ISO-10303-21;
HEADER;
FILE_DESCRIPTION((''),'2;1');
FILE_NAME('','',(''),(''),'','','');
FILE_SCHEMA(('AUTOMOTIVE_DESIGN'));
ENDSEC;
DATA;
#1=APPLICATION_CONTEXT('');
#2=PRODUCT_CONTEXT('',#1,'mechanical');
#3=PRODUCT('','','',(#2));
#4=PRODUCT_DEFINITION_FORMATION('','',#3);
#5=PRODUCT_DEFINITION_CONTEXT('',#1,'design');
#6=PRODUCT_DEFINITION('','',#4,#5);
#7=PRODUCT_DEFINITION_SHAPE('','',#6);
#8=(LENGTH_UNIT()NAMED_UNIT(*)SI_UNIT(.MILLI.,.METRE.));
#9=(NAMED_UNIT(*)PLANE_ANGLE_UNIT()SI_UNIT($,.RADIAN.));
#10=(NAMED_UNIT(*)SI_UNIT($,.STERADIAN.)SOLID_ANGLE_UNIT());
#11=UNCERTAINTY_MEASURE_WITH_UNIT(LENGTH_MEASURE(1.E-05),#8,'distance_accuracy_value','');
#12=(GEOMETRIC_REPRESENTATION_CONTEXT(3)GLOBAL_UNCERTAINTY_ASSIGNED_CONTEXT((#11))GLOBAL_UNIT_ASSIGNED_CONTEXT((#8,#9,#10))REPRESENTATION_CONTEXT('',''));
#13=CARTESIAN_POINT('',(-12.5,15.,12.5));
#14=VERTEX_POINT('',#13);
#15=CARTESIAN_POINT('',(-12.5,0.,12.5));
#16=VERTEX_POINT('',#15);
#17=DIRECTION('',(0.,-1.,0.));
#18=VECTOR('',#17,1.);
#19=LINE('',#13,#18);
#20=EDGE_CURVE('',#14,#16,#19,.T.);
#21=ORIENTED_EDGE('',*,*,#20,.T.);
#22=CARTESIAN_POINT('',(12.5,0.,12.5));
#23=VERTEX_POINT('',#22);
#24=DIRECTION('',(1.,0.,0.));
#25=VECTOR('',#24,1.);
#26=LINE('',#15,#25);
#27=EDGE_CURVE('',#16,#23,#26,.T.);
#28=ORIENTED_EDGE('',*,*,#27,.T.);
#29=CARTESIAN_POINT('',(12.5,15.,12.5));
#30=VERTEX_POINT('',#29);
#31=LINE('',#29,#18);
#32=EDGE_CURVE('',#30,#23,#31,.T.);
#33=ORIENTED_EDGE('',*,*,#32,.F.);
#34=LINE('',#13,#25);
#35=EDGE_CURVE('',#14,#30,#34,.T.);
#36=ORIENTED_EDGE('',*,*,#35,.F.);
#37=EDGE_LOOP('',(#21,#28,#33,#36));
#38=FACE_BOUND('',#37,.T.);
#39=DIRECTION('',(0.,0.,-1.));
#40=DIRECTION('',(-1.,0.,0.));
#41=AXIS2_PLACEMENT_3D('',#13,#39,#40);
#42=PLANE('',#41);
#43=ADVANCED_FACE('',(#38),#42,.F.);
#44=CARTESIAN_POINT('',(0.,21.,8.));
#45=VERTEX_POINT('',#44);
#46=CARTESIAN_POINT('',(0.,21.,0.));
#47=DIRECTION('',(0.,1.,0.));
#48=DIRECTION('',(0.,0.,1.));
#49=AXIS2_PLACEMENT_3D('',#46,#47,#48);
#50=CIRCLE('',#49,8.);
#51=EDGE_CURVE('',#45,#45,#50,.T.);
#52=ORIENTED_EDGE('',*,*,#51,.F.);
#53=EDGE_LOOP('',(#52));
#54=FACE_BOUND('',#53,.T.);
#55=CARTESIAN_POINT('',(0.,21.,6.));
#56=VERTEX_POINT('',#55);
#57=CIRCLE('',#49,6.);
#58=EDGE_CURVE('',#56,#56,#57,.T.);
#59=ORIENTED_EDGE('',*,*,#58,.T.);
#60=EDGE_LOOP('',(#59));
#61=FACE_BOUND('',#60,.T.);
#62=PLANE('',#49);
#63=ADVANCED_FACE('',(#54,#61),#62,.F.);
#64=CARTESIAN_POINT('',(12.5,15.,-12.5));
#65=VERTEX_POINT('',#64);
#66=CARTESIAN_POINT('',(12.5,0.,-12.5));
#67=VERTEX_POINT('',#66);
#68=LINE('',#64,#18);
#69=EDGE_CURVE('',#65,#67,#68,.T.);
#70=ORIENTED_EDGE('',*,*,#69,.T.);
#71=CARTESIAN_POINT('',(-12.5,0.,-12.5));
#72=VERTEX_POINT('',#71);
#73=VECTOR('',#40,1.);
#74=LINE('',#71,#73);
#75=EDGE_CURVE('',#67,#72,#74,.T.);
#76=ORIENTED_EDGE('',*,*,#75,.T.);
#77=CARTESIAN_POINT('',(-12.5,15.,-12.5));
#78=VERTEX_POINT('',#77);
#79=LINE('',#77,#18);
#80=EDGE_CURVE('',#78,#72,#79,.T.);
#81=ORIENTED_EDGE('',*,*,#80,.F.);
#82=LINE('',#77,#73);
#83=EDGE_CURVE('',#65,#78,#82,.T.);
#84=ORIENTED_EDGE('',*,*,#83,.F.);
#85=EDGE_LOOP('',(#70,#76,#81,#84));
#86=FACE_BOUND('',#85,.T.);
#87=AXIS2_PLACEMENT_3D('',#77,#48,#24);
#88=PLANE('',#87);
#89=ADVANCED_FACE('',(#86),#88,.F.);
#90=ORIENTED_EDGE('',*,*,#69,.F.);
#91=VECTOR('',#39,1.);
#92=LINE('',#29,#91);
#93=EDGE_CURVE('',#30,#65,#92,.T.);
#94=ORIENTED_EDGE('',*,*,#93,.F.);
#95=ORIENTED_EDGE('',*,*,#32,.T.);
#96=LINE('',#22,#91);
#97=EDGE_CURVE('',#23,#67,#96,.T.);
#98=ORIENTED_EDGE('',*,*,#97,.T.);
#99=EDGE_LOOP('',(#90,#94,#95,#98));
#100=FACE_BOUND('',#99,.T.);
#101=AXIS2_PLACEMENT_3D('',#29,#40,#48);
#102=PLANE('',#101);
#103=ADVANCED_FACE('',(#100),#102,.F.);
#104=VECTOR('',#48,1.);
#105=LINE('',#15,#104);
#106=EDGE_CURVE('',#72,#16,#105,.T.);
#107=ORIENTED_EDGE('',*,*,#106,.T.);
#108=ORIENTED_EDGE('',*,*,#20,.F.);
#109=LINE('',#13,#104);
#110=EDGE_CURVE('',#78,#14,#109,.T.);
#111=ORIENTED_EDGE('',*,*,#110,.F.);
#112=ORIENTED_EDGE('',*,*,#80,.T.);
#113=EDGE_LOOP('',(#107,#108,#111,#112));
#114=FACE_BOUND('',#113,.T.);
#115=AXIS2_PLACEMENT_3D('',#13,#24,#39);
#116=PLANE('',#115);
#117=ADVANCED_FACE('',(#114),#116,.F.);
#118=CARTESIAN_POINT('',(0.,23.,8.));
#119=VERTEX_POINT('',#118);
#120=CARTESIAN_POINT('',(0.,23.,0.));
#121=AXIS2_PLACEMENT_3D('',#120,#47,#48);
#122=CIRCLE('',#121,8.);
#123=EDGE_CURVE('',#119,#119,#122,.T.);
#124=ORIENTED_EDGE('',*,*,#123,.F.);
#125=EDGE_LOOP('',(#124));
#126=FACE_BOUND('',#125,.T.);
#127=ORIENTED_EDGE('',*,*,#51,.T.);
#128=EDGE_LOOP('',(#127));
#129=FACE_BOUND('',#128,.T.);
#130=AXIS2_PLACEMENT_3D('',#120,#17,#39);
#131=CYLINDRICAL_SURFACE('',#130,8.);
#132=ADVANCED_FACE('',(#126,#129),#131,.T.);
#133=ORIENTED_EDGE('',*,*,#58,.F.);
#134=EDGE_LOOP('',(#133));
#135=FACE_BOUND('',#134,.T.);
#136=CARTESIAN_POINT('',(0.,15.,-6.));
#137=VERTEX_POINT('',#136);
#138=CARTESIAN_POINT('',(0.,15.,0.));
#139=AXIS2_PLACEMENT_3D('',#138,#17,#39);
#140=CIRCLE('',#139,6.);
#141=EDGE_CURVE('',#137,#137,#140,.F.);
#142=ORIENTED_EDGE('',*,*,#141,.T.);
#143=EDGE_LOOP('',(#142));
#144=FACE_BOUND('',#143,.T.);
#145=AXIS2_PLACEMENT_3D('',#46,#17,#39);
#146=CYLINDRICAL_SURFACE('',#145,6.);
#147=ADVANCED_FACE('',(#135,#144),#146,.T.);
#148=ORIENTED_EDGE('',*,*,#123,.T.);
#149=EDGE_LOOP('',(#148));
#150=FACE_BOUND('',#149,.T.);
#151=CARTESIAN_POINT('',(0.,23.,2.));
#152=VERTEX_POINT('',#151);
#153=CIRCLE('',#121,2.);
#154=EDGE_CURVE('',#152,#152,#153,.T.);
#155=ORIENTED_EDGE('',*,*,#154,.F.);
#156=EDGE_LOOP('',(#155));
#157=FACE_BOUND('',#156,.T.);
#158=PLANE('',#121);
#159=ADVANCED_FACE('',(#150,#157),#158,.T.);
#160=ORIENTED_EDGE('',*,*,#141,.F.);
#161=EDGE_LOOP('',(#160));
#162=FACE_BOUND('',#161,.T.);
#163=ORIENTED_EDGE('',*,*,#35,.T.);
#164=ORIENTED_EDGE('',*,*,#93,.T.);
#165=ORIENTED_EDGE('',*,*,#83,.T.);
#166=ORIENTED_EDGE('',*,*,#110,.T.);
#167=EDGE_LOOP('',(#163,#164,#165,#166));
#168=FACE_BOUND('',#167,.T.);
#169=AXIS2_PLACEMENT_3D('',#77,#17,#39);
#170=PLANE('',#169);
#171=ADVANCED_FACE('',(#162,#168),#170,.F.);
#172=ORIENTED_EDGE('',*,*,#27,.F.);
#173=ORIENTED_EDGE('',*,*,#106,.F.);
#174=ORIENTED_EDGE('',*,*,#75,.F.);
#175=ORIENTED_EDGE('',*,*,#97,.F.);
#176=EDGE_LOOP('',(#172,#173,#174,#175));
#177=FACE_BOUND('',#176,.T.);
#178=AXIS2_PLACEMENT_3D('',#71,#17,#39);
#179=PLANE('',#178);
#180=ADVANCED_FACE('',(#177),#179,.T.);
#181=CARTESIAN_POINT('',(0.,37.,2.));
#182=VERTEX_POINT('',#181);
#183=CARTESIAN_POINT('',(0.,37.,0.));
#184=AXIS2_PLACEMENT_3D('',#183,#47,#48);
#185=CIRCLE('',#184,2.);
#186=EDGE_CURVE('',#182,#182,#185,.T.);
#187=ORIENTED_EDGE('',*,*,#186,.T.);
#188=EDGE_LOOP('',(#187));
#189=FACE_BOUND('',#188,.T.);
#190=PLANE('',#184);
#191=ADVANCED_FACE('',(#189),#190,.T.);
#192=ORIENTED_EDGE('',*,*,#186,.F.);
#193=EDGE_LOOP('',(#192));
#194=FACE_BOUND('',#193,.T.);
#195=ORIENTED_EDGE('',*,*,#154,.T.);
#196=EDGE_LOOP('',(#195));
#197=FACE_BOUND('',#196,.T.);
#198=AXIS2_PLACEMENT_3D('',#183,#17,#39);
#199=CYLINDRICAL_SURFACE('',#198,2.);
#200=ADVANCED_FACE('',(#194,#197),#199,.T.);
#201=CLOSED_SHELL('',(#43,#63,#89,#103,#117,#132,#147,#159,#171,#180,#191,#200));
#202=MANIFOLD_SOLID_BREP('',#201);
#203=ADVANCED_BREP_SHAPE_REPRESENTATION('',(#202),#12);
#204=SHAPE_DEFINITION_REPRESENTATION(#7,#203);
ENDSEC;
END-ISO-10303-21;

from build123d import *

# Parameters (mm, degrees)
ESQUISSE1_W      = 25
ESQUISSE1_H      = 25
EXTRUSION1_DEPTH = 15
ESQUISSE2_R      = 6
EXTRUSION2_DEPTH = 6
ESQUISSE3_R      = 8
EXTRUSION3_DEPTH = 2
ESQUISSE4_R      = 2
EXTRUSION4_DEPTH = 14


with BuildPart() as part:
    # Esquisse1 → Extrusion1 (new body)
    with BuildSketch(Plane(origin=(0, 0, 0), x_dir=(1, 0, 0), z_dir=(0, 1, 0))):
        Rectangle(ESQUISSE1_W, ESQUISSE1_H)
    extrude(amount=EXTRUSION1_DEPTH)

    # Esquisse2 → Extrusion2 (add)
    with BuildSketch(Plane(origin=(0, 15, 0), x_dir=(-1, 0, 0), z_dir=(0, 1, 0))):
        with Locations(Location((0, 0, 0), (0, 0, 270))):
            Circle(ESQUISSE2_R)
    extrude(amount=EXTRUSION2_DEPTH)

    # Esquisse3 → Extrusion3 (add)
    with BuildSketch(Plane(origin=(0, 21, 0), x_dir=(-1, 0, 0), z_dir=(0, 1, 0))):
        with Locations(Location((0, 0, 0), (0, 0, 90))):
            Circle(ESQUISSE3_R)
    extrude(amount=EXTRUSION3_DEPTH)

    # Esquisse4 → Extrusion4 (add)
    with BuildSketch(Plane(origin=(0, 23, 0), x_dir=(-1, 0, 0), z_dir=(0, 1, 0))):
        with Locations(Location((0, 0, 0), (0, 0, 90))):
            Circle(ESQUISSE4_R)
    extrude(amount=EXTRUSION4_DEPTH)


solid = part.part
